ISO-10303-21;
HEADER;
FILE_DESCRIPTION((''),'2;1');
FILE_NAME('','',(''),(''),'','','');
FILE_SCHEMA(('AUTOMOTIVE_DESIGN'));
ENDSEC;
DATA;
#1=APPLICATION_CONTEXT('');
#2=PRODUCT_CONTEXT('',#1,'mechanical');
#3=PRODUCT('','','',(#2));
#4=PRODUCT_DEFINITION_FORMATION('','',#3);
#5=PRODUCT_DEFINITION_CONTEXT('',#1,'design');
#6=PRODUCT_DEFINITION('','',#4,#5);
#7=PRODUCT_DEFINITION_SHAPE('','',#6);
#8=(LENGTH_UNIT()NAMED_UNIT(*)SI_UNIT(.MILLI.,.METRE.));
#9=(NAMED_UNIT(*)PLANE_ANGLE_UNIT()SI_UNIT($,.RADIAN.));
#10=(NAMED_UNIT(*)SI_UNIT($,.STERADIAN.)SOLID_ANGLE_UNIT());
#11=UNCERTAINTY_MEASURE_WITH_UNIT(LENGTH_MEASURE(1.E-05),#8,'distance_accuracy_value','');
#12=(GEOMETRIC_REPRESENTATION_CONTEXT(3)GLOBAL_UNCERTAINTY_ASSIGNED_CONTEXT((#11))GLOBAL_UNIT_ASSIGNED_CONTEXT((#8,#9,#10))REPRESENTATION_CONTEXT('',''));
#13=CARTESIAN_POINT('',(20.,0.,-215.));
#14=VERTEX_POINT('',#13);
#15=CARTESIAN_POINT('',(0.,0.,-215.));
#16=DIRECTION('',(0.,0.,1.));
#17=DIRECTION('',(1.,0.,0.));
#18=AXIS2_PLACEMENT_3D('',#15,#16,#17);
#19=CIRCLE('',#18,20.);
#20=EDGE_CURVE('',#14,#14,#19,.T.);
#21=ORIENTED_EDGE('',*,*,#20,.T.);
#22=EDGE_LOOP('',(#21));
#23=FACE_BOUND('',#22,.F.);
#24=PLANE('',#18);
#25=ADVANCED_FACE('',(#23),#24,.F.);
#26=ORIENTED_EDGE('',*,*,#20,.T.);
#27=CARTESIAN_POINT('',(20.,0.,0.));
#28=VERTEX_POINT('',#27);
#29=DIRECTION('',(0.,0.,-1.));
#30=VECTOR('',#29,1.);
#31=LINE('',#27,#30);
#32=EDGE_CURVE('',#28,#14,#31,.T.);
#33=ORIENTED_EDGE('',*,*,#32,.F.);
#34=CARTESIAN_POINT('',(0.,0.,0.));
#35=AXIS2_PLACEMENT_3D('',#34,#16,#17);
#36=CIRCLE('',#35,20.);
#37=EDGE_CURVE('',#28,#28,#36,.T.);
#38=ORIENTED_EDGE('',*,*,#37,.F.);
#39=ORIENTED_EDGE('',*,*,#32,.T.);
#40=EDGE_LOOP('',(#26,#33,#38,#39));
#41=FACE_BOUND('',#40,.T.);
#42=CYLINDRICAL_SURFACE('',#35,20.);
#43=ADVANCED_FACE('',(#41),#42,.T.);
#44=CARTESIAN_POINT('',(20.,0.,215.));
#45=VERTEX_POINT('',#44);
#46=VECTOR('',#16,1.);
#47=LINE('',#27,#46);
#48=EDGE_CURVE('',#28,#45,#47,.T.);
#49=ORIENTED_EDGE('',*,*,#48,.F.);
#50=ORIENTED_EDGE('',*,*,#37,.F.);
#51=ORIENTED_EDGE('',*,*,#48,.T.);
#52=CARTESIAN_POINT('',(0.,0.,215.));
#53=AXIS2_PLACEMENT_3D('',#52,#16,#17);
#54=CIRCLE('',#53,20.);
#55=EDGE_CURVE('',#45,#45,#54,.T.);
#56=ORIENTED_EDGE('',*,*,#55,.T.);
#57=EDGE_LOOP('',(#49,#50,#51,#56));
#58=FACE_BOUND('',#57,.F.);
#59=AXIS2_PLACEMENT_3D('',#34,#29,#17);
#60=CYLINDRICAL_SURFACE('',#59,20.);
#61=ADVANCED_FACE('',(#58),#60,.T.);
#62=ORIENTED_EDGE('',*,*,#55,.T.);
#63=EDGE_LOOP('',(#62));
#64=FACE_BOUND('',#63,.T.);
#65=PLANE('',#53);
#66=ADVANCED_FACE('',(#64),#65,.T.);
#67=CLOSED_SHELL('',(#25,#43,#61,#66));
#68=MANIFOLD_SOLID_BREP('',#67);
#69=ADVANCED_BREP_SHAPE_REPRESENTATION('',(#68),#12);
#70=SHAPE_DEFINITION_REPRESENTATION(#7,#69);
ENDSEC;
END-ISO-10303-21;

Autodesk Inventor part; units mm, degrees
ref_plane "YZ Plane" through (0, 0, 0) normal (1, 0, 0) x (0, 1, 0)
ref_plane "XZ Plane" through (0, 0, 0) normal (0, 1, 0) x (-1, 0, 0)
ref_plane "XY Plane" through (0, 0, 0) normal (0, 0, 1) x (1, 0, 0)
sketch "草图1" plane through (0, 0, 0) normal (0, 0, 1) x (1, 0, 0)
  circle A0 centre (0, 0) radius 20
  dimension "d0" = 40
extrude "拉伸1" add sketch "草图1" along normal mid plane 430
properties part number "轴2"
